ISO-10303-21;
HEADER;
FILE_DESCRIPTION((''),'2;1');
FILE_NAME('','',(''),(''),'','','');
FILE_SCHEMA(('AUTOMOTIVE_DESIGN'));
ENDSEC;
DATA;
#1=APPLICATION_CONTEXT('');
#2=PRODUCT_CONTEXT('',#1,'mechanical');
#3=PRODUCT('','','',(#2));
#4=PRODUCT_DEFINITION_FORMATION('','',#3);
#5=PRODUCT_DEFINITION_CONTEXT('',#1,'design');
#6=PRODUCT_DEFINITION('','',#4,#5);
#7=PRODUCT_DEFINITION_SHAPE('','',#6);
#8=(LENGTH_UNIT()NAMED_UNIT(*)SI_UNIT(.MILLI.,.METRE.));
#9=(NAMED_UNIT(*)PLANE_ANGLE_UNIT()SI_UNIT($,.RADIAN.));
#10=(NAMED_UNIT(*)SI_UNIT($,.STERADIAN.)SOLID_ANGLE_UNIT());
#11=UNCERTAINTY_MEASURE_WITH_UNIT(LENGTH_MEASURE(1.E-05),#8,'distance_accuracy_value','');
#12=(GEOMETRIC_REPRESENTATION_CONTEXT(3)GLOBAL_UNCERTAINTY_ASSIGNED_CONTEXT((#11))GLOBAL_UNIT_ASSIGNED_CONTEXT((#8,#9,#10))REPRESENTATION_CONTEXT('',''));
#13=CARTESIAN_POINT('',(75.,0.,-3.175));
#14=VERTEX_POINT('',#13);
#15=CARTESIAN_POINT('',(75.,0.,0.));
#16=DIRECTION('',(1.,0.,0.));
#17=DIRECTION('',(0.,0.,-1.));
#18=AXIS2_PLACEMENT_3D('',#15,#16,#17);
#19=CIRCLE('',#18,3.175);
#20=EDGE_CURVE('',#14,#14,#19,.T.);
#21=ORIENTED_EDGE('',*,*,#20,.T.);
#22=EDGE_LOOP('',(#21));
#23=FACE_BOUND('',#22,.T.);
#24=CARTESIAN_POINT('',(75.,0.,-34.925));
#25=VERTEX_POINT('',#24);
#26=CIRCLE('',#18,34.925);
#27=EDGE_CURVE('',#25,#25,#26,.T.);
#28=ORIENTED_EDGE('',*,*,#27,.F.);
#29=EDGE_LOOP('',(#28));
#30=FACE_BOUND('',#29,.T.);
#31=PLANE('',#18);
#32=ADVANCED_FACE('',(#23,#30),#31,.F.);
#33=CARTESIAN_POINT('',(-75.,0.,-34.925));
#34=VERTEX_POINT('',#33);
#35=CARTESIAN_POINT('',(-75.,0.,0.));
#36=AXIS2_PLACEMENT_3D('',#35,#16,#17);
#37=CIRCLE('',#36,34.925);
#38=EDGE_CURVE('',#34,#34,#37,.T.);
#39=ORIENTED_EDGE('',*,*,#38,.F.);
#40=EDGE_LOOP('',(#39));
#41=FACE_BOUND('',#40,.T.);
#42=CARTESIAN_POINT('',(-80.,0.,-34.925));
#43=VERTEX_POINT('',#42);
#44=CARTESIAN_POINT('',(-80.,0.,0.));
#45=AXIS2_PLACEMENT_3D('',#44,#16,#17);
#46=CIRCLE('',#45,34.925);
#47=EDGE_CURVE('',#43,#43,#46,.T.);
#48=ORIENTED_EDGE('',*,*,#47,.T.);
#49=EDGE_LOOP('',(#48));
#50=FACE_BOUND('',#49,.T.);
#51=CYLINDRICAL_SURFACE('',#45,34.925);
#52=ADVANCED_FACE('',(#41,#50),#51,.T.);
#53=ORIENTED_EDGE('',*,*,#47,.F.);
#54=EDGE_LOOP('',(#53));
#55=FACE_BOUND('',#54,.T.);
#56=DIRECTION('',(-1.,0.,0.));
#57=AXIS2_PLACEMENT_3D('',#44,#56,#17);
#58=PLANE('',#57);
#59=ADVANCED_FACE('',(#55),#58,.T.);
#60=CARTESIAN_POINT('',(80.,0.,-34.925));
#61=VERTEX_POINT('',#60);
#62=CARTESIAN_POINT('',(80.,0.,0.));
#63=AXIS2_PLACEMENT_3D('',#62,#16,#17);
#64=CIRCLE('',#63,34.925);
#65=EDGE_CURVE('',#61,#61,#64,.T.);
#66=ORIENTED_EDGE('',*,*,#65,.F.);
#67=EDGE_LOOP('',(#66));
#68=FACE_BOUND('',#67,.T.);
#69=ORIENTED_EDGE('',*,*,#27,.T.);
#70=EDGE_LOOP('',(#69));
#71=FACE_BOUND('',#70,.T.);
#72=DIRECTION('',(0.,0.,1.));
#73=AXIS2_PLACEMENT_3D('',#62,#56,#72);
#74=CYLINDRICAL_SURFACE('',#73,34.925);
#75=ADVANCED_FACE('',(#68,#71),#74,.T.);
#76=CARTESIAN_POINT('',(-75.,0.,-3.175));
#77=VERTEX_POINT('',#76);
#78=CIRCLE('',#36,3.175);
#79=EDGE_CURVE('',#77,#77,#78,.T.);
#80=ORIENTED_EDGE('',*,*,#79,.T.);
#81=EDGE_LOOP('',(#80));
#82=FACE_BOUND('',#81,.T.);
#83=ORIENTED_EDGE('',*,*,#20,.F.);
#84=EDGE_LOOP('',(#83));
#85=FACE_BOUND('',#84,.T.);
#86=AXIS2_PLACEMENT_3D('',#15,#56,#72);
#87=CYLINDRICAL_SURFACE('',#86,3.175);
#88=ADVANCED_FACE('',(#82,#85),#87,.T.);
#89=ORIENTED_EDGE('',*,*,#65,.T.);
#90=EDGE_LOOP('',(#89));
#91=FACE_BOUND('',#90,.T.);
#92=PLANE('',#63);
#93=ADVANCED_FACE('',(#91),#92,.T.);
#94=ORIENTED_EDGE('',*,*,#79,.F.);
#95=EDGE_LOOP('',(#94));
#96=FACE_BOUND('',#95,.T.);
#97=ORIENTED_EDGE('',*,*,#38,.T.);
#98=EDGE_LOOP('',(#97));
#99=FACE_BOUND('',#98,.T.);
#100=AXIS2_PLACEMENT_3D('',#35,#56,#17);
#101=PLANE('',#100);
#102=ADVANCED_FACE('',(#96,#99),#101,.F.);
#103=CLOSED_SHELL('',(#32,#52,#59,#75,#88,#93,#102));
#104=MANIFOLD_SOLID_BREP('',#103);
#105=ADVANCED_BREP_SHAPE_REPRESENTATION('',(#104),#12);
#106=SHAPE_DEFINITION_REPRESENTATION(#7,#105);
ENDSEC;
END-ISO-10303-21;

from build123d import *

# Parameters (mm, degrees)
SKETCH1_R           = 3.175
BOSS_EXTRUDE1_DEPTH = 75
SKETCH2_R           = 34.925
BOSS_EXTRUDE2_DEPTH = 5


with BuildPart() as part:
    # Sketch1 → Boss-Extrude1 (new body, symmetric)
    with BuildSketch(Plane(origin=(0, 0, 0), x_dir=(0, 0, -1), z_dir=(1, 0, 0))):
        Circle(SKETCH1_R)
    extrude(amount=BOSS_EXTRUDE1_DEPTH, both=True)

    # Sketch2 → Boss-Extrude2 (add)
    with BuildSketch(Plane(origin=(75, 0, 0), x_dir=(0, 0, -1), z_dir=(1, 0, 0))):
        Circle(SKETCH2_R)
    boss_extrude2 = extrude(amount=BOSS_EXTRUDE2_DEPTH)

    # Mirror1: Boss-Extrude2 across plane
    add(boss_extrude2.mirror(Plane(origin=(0, 0, 0), x_dir=(0, 0, 1), z_dir=(1, 0, 0))))


solid = part.part
